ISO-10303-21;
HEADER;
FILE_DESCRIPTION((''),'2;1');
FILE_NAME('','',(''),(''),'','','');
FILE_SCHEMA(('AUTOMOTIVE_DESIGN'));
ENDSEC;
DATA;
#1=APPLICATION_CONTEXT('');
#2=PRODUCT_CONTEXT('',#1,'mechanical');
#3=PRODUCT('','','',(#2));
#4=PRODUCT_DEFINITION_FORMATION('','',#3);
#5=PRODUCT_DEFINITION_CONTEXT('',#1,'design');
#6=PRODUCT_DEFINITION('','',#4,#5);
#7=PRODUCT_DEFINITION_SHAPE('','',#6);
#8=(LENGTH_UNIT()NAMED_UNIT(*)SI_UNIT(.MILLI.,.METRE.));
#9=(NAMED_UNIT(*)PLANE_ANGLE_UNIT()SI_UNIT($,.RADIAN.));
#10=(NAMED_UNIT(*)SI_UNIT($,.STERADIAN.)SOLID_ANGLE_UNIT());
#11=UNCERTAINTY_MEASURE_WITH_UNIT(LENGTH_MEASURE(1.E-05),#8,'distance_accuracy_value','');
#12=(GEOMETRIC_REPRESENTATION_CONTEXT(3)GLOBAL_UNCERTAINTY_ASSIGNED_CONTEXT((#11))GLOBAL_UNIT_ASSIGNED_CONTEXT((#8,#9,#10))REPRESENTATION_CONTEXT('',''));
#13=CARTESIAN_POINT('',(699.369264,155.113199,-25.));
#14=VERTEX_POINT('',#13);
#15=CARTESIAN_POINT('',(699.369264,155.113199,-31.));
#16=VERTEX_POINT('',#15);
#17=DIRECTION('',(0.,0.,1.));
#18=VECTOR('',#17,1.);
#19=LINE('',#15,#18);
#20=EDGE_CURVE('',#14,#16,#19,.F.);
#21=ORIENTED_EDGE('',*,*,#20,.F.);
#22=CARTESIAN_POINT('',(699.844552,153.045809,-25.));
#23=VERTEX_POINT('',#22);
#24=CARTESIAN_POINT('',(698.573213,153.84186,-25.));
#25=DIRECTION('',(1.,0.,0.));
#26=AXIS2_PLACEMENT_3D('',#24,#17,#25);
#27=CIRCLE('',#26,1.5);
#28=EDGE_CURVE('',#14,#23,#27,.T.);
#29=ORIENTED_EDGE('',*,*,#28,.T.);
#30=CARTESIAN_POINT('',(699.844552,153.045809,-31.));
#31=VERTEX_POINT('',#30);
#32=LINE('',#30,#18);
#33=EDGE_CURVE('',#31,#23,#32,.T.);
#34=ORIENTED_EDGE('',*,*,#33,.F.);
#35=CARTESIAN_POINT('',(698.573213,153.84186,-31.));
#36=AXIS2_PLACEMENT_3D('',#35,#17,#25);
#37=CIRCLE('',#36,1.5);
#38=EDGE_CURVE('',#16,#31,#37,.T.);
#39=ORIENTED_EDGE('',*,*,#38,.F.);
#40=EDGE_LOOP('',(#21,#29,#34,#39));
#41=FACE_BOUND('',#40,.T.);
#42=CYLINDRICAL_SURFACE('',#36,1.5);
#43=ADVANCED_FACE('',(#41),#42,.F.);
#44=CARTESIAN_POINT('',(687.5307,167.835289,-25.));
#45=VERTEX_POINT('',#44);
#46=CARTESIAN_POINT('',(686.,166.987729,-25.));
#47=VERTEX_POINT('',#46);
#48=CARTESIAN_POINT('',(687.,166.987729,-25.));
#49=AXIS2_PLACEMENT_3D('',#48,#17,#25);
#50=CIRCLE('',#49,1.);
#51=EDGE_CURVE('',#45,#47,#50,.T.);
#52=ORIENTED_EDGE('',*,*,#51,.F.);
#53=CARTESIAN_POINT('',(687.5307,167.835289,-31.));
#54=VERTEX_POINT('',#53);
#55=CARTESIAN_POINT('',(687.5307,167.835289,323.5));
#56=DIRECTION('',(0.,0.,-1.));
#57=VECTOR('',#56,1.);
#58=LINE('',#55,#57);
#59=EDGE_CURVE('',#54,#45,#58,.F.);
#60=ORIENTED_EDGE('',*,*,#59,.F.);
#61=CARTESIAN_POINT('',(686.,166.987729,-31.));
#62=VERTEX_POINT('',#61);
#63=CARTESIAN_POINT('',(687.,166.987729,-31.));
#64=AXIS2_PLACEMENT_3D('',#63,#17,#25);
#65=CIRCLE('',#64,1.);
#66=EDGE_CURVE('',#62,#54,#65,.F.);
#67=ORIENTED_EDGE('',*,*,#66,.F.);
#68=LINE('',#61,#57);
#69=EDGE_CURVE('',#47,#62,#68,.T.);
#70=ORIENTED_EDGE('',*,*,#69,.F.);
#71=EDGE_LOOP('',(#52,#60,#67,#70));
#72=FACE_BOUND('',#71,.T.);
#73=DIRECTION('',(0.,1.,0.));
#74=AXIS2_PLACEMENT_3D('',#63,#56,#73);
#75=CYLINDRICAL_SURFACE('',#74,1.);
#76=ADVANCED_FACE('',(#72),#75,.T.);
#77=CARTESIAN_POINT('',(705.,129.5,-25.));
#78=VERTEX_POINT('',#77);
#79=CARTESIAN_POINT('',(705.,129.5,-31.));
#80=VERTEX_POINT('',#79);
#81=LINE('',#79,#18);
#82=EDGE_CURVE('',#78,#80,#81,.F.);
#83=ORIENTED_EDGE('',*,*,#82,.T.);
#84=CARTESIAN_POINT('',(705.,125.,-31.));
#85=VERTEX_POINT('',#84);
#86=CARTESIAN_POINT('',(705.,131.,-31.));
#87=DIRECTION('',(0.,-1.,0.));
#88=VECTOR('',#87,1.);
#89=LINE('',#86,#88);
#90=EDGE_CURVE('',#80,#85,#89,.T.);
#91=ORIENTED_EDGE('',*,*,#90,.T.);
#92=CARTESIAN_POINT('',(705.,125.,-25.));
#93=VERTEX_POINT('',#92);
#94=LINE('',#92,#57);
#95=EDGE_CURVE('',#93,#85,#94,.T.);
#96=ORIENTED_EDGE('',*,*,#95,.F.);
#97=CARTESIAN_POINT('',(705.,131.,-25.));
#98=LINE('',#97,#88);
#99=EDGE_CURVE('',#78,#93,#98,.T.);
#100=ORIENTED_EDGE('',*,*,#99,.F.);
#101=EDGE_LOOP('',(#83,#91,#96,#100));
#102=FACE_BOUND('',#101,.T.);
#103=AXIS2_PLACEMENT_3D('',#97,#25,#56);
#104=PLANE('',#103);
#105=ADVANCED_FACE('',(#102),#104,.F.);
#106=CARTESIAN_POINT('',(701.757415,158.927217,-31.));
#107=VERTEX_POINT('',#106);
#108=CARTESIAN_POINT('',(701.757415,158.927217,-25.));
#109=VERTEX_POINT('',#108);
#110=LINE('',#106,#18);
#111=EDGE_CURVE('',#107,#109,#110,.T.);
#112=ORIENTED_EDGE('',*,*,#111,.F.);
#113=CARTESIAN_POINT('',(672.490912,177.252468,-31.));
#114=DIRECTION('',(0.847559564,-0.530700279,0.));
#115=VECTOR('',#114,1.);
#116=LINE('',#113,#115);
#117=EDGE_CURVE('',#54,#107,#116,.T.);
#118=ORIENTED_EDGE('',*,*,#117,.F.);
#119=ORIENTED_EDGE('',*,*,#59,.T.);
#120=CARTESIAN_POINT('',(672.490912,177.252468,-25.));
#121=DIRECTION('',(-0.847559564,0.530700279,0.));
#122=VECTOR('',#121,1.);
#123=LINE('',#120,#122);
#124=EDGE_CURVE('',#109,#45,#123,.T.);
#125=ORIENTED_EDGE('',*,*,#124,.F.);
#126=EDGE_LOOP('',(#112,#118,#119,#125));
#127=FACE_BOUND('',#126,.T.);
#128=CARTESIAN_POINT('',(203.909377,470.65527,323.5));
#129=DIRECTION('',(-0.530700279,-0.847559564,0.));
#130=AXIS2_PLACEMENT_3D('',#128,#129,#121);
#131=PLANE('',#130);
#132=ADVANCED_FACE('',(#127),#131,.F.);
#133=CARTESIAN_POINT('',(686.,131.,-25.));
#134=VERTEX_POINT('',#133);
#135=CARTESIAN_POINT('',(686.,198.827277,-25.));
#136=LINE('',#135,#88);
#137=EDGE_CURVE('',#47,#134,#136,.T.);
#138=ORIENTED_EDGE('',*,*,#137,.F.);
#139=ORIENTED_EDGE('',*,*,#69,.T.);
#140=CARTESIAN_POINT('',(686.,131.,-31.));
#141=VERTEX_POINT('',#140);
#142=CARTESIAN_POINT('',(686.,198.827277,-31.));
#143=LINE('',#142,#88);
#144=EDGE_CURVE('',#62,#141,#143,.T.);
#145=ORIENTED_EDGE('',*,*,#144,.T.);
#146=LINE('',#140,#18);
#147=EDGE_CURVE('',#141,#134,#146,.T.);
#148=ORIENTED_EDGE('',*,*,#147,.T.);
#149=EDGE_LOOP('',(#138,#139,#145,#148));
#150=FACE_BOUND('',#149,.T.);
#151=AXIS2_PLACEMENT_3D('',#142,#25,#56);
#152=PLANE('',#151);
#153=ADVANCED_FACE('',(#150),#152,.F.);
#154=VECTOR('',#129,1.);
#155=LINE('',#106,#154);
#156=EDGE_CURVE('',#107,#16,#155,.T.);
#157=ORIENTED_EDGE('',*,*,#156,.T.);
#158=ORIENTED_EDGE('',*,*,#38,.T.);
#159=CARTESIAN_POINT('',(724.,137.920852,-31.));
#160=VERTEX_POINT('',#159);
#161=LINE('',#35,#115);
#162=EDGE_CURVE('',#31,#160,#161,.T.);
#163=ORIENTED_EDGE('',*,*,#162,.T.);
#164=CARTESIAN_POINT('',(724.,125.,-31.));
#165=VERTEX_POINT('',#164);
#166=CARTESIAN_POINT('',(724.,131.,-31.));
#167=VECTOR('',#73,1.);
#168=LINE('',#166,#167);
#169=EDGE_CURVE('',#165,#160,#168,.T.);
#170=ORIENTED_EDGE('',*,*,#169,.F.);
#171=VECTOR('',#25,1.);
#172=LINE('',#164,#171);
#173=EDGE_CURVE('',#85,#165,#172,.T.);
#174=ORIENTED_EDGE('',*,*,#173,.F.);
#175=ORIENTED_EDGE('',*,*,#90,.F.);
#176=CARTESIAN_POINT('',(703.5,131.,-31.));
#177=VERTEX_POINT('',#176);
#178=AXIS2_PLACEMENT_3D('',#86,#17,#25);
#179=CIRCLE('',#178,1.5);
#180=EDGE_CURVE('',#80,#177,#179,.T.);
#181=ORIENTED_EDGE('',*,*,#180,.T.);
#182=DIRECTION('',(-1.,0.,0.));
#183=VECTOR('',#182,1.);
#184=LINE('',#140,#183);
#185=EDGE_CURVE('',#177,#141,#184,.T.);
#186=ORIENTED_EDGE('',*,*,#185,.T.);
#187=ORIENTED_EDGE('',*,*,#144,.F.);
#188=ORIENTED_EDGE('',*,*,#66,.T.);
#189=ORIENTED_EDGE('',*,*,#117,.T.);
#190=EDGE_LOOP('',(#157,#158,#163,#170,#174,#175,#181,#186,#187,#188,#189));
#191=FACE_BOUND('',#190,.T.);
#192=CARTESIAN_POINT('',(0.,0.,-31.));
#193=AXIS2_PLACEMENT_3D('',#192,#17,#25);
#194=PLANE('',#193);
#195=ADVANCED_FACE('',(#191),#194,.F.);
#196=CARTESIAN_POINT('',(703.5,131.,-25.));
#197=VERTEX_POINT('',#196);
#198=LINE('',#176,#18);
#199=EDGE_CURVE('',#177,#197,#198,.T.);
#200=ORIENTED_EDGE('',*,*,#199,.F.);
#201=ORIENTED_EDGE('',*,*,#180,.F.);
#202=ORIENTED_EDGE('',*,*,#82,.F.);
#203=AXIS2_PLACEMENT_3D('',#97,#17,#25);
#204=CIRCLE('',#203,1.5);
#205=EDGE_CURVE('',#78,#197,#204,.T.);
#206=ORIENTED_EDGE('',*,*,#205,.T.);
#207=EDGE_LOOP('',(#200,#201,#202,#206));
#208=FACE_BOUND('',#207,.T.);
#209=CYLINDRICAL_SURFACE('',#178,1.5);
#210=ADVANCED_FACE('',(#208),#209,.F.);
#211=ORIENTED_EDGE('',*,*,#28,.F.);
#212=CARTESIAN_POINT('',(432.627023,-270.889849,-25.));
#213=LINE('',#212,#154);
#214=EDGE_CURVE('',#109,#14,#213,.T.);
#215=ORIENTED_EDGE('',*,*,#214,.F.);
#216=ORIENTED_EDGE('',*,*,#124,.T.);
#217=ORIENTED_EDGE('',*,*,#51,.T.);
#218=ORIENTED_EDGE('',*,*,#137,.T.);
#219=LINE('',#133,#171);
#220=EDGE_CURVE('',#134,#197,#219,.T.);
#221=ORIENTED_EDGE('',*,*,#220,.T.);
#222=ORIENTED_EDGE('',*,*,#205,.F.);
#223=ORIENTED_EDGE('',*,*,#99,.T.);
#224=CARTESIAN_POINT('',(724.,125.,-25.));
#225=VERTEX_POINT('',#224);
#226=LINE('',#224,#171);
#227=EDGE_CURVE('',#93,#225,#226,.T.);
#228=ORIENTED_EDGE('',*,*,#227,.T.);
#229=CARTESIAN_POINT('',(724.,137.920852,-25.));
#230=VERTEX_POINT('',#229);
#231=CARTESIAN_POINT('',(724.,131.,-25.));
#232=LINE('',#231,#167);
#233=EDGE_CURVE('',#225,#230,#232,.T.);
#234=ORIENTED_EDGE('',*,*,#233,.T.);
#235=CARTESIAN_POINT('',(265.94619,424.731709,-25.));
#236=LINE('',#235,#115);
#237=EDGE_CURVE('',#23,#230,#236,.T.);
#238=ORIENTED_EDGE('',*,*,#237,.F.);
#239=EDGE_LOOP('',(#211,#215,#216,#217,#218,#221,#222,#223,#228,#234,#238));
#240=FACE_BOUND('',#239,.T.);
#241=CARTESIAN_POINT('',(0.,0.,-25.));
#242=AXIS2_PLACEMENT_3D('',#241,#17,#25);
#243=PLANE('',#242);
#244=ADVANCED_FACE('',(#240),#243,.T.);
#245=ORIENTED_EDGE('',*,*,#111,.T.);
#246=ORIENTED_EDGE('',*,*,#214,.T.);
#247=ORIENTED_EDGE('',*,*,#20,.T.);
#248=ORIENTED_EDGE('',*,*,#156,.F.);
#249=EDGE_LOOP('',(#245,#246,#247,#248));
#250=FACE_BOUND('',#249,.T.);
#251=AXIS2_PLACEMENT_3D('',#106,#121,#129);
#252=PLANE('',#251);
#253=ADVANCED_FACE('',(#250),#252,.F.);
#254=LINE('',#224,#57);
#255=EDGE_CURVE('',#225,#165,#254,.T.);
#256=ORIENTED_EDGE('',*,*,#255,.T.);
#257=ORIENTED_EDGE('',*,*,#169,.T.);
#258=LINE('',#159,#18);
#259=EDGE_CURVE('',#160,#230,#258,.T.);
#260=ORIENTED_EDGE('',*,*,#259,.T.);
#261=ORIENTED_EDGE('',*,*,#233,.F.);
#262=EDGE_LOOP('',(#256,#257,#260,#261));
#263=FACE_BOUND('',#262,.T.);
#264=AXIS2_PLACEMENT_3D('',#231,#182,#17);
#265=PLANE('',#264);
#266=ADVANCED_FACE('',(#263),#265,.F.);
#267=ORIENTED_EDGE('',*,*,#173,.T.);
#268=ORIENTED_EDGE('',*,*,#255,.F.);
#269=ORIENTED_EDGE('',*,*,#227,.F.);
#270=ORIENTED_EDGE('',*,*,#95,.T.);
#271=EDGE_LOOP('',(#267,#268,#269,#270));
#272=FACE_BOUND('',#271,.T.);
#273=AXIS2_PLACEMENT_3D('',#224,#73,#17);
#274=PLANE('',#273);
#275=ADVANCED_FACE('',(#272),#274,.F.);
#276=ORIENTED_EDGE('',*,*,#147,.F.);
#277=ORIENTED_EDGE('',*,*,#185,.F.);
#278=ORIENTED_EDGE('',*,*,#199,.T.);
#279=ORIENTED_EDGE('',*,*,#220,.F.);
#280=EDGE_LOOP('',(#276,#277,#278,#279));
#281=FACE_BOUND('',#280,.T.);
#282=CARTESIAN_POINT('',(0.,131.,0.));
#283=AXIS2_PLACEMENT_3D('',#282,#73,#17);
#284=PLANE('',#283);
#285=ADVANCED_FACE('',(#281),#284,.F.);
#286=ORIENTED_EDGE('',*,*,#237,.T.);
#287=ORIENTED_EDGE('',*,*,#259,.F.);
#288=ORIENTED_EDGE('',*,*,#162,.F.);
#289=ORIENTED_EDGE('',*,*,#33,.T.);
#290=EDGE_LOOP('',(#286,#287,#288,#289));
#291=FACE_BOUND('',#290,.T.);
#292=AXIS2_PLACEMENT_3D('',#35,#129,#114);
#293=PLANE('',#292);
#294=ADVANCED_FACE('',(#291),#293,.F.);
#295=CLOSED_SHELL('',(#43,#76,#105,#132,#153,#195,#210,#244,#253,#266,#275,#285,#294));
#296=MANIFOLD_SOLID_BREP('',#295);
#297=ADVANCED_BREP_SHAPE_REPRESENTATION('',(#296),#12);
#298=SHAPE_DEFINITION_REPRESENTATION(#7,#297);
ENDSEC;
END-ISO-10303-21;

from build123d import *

# Parameters (mm, degrees)
BOSS_EXTRUDE1_START     = -31
SKETCH1_W               = 19
SKETCH1_H               = 6
BOSS_EXTRUDE1_DEPTH     = 6
BOSS_EXTRUDE2_REACH     = 726.688
SKETCH2_W               = 38
SKETCH2_H               = 6
SKETCH3_R               = 1.5
CUT_EXTRUDE1_DEPTH      = 744.440196757
FILLET1_R               = 1
CUT_EXTRUDE3_DEPTH      = 744.257611618
CUT_EXTRUDE3_DEPTH_BACK = 744.257611618
SKETCH5_R               = 1.5
CUT_EXTRUDE4_DEPTH      = 744.257611618


with BuildPart() as part:
    # Sketch1 → Boss-Extrude1 (new body)
    with BuildSketch(Plane.XY.offset(BOSS_EXTRUDE1_START)):
        with Locations((714.5, 128)):
            Rectangle(SKETCH1_W, SKETCH1_H)
    extrude(amount=BOSS_EXTRUDE1_DEPTH)

    # Boss-Extrude2: up to this plane
    boss_extrude2_end = Plane(origin=(203.909377292, 470.655270204, 323.5), z_dir=(-0.5307002791731883, -0.8475595635030614, 0))
    # Sketch2 → Boss-Extrude2 (add, up to the surface)
    with BuildSketch(Plane(origin=(0, 131, 0), x_dir=(1, 0, 0), z_dir=(0, 1, 0)), mode=Mode.PRIVATE) as boss_extrude2_sk1:
        with Locations((705, 28)):
            Rectangle(SKETCH2_W, SKETCH2_H)
    boss_extrude2_tool1 = split(extrude(boss_extrude2_sk1.sketch, amount=BOSS_EXTRUDE2_REACH, mode=Mode.PRIVATE), bisect_by=boss_extrude2_end, keep=Keep.BOTH, mode=Mode.PRIVATE)
    add(boss_extrude2_tool1.solids().sort_by_distance((705, 131, -28))[0])

    # Sketch3 → Cut-Extrude1 (cut, through all)
    with BuildSketch(Plane.XY.offset(-25)):
        with Locations((705, 131)):
            Circle(SKETCH3_R)
    extrude(amount=-CUT_EXTRUDE1_DEPTH, mode=Mode.SUBTRACT)

    # Fillet1
    fillet1_edges = [part.edges().sort_by_distance(p)[0] for p in [
        (686, 168.79373849, -28),
    ]]
    fillet(fillet1_edges, radius=FILLET1_R)

    # Sketch4 → Cut-Extrude3 (cut, two sides: drawn at the far end of the back side and taken through both)
    with BuildSketch(Plane.XY.offset(-25).offset(-CUT_EXTRUDE3_DEPTH_BACK)):
        Polygon((701.75741477, 158.927217271), (698.573213095, 153.84185989), (724, 137.920851515), (727.184201675, 143.006208896), align=None)
    extrude(amount=CUT_EXTRUDE3_DEPTH + CUT_EXTRUDE3_DEPTH_BACK, mode=Mode.SUBTRACT)

    # Sketch5 → Cut-Extrude4 (cut, through all)
    with BuildSketch(Plane.XY.offset(-25)):
        with Locations((698.573213095, 153.84185989)):
            Circle(SKETCH5_R)
    extrude(amount=-CUT_EXTRUDE4_DEPTH, mode=Mode.SUBTRACT)


solid = part.part
